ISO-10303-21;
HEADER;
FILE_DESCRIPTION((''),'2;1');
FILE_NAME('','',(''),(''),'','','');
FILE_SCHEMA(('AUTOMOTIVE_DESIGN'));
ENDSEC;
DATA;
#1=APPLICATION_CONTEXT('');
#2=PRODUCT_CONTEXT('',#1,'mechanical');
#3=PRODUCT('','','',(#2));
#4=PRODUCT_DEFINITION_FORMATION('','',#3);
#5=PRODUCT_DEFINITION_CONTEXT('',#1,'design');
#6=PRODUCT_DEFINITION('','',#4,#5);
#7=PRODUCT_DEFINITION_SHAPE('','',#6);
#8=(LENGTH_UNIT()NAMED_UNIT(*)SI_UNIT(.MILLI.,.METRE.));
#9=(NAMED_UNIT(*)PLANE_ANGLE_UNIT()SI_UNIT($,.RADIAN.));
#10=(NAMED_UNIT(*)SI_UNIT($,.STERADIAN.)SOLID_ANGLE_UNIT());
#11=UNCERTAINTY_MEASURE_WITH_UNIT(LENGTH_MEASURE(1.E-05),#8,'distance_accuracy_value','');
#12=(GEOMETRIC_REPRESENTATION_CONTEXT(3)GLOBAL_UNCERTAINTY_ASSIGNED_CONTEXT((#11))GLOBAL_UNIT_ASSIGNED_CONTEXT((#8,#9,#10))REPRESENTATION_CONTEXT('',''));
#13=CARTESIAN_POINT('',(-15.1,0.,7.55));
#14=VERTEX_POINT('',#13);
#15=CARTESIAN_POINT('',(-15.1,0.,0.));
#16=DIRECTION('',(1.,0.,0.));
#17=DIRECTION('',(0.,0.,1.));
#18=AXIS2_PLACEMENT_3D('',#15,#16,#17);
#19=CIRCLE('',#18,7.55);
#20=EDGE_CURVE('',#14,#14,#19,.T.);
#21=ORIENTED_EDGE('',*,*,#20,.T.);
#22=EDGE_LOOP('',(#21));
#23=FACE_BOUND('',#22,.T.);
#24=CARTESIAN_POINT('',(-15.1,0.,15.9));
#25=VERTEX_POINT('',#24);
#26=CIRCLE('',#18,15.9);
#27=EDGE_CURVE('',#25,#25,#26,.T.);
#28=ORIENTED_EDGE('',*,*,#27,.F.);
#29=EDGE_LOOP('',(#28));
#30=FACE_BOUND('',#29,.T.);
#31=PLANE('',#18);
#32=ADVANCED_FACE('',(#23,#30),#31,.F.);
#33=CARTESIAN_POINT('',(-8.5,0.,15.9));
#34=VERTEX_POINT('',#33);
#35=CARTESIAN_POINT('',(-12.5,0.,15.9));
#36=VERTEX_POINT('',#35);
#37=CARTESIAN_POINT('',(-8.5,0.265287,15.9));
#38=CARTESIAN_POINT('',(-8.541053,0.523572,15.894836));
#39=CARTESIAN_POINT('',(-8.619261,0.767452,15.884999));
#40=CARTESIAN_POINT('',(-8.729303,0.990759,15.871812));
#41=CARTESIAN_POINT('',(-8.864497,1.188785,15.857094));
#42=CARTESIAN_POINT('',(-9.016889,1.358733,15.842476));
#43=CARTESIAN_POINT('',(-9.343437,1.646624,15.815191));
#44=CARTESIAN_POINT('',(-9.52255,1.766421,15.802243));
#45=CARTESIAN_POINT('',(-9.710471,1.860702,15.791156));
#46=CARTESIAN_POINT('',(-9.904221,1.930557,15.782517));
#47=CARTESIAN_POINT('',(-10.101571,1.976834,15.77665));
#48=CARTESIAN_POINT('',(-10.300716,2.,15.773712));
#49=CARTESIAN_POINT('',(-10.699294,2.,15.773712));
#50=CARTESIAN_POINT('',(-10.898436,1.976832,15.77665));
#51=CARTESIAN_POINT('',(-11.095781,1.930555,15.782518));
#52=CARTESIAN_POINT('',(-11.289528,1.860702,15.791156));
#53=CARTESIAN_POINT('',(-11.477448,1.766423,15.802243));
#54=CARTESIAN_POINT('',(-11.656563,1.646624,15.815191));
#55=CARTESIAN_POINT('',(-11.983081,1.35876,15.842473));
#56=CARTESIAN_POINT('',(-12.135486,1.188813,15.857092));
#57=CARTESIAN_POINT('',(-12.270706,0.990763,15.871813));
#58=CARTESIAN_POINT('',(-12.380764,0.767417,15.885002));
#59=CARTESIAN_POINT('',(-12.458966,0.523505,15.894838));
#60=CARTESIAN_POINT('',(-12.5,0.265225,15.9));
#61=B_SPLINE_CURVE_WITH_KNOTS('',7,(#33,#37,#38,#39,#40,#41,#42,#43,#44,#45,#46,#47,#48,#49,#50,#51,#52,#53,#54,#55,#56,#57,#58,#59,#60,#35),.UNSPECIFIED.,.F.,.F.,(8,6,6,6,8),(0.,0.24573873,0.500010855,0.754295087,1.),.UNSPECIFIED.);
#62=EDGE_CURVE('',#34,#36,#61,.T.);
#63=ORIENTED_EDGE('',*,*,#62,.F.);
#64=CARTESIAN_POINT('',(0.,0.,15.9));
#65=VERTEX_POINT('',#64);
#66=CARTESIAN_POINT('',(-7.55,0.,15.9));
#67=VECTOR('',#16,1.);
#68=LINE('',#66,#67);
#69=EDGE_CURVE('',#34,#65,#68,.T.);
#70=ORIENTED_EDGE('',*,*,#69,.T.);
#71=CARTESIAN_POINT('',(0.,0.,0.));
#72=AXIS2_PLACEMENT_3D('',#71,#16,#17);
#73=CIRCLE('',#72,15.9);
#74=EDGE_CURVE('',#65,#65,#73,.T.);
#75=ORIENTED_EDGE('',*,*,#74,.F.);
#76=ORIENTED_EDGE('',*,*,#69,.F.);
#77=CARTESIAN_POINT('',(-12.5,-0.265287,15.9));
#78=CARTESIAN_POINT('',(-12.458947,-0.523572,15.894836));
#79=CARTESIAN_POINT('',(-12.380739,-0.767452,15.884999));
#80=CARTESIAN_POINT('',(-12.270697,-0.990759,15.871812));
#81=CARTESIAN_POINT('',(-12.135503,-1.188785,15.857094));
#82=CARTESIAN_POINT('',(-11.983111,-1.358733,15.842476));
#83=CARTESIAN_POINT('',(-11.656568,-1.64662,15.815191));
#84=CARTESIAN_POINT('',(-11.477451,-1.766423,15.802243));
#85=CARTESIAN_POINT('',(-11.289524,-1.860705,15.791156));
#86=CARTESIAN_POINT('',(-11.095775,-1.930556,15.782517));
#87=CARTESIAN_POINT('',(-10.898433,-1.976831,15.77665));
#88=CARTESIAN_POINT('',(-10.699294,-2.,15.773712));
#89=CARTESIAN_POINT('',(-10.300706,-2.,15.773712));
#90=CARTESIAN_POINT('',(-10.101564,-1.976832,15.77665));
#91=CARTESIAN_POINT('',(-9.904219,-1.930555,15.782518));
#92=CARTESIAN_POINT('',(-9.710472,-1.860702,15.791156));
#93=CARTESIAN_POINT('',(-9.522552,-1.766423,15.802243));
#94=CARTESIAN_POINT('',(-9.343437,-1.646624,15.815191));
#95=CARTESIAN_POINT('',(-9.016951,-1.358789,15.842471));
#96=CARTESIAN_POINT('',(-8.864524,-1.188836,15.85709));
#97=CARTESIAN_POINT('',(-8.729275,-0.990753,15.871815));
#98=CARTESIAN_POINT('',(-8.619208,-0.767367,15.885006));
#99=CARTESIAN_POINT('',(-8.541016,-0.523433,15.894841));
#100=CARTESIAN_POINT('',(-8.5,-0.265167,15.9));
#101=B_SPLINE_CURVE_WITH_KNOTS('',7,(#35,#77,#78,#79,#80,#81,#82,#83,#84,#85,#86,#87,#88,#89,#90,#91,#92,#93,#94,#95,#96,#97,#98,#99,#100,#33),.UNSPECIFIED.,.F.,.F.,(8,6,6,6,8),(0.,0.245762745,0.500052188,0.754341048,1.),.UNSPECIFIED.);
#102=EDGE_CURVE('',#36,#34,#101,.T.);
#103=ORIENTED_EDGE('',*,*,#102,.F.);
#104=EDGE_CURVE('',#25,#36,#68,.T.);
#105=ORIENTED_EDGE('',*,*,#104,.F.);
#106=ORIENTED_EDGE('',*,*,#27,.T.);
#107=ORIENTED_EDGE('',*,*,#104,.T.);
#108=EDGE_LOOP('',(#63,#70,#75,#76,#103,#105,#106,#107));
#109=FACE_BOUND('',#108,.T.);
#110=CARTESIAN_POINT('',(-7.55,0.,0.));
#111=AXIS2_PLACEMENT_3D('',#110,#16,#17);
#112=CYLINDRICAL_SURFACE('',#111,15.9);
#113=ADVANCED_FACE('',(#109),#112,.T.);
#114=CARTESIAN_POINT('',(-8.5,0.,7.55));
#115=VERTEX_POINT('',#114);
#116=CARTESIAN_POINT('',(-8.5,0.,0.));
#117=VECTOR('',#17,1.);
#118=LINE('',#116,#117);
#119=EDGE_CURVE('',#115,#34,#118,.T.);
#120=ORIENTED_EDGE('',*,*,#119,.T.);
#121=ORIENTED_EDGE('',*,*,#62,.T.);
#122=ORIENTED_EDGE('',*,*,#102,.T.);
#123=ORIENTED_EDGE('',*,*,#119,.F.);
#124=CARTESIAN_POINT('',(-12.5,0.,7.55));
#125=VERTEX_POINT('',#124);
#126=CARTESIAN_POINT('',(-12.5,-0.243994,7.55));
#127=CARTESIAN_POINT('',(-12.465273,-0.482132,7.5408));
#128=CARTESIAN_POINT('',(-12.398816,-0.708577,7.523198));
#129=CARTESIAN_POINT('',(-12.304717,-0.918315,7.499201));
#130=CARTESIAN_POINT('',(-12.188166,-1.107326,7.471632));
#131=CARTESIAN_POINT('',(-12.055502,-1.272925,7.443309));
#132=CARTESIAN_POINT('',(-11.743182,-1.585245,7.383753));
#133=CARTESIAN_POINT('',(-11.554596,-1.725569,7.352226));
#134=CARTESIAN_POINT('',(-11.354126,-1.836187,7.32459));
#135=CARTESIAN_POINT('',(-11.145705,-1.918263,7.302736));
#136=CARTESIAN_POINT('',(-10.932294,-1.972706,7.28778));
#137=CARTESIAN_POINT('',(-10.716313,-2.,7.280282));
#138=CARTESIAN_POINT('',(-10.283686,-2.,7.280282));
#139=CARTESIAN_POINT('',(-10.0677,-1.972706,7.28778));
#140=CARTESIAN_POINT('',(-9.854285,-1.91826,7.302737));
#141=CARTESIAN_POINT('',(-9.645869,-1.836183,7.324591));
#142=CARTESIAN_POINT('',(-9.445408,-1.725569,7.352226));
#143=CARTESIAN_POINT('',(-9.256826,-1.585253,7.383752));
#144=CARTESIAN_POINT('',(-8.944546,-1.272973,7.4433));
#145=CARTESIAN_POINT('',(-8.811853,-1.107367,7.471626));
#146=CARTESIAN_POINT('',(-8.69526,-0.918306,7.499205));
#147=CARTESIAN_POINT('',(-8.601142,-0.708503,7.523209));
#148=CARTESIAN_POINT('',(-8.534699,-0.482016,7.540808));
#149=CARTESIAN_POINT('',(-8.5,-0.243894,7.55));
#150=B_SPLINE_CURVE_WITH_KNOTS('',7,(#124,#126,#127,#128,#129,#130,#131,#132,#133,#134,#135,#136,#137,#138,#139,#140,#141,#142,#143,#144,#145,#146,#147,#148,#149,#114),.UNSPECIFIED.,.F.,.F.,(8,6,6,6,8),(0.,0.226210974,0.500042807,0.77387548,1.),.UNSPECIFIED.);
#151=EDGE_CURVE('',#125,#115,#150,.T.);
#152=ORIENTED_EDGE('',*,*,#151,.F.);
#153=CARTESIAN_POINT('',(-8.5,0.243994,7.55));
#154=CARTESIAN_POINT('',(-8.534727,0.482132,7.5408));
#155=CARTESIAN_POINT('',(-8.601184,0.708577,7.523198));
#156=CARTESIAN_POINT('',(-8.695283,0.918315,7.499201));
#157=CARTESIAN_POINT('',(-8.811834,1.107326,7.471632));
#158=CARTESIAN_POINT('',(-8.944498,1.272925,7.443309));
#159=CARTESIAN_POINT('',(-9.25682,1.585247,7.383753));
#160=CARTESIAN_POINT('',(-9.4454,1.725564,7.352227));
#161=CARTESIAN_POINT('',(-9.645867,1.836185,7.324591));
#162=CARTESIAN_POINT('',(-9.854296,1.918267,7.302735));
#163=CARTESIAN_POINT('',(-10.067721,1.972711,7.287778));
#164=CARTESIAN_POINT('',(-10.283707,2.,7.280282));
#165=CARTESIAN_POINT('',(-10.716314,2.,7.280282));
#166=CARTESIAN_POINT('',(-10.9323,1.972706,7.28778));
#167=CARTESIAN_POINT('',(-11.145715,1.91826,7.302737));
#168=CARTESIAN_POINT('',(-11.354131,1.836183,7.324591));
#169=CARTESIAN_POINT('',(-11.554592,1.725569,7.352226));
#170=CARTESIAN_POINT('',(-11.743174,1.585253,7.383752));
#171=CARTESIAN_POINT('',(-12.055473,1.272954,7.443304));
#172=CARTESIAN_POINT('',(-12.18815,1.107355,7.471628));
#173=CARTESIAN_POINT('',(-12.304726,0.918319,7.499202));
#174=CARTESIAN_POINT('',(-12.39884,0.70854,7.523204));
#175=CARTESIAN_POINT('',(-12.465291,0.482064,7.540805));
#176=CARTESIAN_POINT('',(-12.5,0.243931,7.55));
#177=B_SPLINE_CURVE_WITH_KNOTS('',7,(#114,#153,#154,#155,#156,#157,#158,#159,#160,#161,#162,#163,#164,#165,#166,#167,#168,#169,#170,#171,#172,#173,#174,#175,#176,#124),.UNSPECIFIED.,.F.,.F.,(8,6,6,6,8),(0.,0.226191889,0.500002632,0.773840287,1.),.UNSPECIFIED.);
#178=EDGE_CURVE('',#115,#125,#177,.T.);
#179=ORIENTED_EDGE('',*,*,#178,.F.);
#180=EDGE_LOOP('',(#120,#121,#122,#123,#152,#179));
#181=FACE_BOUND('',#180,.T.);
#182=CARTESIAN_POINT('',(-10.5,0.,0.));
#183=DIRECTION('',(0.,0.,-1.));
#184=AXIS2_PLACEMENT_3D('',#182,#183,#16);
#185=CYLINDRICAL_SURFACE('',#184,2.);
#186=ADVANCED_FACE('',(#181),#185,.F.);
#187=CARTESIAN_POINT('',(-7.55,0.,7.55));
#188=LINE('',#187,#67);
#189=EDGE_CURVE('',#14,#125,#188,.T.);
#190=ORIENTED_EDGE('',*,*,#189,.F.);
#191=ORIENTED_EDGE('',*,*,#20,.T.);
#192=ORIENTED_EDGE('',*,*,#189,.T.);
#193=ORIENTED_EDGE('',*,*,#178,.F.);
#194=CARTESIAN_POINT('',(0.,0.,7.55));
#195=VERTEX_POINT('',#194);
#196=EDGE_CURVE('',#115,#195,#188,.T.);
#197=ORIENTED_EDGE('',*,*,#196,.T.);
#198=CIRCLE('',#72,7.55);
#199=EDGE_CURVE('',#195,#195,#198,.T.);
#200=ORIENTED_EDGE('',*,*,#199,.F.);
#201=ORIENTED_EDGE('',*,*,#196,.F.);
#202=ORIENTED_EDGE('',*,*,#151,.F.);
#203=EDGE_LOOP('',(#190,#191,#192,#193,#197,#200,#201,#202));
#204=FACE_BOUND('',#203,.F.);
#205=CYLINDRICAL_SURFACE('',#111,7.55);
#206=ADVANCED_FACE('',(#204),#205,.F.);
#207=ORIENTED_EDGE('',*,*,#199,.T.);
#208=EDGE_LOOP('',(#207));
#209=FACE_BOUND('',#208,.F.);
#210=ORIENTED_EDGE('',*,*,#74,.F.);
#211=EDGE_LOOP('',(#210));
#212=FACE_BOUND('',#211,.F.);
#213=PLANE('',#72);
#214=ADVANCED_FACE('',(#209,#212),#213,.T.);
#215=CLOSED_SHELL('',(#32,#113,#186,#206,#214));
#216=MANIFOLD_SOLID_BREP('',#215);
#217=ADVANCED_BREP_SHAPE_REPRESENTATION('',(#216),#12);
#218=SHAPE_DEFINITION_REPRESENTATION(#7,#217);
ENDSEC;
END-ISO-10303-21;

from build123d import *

# Parameters (mm, degrees)
F0_W     = 15.1
F0_H     = 8.35
F2_R     = 2
F3_DEPTH = 25


with BuildPart() as f1:
    # F0 (on Front) → F1 (revolve)
    with BuildSketch(Plane.XZ):
        with Locations((-7.55, 11.725)):
            Rectangle(F0_W, F0_H)
    revolve(axis=Axis((-0.227637, 0, 0), (1, 0, 0)))

    # F2 (on Top) → F3 (cut)
    with BuildSketch(Plane.XY):
        with Locations((-10.5, 0)):
            Circle(F2_R)
    extrude(amount=F3_DEPTH, mode=Mode.SUBTRACT)


solid = f1.part
